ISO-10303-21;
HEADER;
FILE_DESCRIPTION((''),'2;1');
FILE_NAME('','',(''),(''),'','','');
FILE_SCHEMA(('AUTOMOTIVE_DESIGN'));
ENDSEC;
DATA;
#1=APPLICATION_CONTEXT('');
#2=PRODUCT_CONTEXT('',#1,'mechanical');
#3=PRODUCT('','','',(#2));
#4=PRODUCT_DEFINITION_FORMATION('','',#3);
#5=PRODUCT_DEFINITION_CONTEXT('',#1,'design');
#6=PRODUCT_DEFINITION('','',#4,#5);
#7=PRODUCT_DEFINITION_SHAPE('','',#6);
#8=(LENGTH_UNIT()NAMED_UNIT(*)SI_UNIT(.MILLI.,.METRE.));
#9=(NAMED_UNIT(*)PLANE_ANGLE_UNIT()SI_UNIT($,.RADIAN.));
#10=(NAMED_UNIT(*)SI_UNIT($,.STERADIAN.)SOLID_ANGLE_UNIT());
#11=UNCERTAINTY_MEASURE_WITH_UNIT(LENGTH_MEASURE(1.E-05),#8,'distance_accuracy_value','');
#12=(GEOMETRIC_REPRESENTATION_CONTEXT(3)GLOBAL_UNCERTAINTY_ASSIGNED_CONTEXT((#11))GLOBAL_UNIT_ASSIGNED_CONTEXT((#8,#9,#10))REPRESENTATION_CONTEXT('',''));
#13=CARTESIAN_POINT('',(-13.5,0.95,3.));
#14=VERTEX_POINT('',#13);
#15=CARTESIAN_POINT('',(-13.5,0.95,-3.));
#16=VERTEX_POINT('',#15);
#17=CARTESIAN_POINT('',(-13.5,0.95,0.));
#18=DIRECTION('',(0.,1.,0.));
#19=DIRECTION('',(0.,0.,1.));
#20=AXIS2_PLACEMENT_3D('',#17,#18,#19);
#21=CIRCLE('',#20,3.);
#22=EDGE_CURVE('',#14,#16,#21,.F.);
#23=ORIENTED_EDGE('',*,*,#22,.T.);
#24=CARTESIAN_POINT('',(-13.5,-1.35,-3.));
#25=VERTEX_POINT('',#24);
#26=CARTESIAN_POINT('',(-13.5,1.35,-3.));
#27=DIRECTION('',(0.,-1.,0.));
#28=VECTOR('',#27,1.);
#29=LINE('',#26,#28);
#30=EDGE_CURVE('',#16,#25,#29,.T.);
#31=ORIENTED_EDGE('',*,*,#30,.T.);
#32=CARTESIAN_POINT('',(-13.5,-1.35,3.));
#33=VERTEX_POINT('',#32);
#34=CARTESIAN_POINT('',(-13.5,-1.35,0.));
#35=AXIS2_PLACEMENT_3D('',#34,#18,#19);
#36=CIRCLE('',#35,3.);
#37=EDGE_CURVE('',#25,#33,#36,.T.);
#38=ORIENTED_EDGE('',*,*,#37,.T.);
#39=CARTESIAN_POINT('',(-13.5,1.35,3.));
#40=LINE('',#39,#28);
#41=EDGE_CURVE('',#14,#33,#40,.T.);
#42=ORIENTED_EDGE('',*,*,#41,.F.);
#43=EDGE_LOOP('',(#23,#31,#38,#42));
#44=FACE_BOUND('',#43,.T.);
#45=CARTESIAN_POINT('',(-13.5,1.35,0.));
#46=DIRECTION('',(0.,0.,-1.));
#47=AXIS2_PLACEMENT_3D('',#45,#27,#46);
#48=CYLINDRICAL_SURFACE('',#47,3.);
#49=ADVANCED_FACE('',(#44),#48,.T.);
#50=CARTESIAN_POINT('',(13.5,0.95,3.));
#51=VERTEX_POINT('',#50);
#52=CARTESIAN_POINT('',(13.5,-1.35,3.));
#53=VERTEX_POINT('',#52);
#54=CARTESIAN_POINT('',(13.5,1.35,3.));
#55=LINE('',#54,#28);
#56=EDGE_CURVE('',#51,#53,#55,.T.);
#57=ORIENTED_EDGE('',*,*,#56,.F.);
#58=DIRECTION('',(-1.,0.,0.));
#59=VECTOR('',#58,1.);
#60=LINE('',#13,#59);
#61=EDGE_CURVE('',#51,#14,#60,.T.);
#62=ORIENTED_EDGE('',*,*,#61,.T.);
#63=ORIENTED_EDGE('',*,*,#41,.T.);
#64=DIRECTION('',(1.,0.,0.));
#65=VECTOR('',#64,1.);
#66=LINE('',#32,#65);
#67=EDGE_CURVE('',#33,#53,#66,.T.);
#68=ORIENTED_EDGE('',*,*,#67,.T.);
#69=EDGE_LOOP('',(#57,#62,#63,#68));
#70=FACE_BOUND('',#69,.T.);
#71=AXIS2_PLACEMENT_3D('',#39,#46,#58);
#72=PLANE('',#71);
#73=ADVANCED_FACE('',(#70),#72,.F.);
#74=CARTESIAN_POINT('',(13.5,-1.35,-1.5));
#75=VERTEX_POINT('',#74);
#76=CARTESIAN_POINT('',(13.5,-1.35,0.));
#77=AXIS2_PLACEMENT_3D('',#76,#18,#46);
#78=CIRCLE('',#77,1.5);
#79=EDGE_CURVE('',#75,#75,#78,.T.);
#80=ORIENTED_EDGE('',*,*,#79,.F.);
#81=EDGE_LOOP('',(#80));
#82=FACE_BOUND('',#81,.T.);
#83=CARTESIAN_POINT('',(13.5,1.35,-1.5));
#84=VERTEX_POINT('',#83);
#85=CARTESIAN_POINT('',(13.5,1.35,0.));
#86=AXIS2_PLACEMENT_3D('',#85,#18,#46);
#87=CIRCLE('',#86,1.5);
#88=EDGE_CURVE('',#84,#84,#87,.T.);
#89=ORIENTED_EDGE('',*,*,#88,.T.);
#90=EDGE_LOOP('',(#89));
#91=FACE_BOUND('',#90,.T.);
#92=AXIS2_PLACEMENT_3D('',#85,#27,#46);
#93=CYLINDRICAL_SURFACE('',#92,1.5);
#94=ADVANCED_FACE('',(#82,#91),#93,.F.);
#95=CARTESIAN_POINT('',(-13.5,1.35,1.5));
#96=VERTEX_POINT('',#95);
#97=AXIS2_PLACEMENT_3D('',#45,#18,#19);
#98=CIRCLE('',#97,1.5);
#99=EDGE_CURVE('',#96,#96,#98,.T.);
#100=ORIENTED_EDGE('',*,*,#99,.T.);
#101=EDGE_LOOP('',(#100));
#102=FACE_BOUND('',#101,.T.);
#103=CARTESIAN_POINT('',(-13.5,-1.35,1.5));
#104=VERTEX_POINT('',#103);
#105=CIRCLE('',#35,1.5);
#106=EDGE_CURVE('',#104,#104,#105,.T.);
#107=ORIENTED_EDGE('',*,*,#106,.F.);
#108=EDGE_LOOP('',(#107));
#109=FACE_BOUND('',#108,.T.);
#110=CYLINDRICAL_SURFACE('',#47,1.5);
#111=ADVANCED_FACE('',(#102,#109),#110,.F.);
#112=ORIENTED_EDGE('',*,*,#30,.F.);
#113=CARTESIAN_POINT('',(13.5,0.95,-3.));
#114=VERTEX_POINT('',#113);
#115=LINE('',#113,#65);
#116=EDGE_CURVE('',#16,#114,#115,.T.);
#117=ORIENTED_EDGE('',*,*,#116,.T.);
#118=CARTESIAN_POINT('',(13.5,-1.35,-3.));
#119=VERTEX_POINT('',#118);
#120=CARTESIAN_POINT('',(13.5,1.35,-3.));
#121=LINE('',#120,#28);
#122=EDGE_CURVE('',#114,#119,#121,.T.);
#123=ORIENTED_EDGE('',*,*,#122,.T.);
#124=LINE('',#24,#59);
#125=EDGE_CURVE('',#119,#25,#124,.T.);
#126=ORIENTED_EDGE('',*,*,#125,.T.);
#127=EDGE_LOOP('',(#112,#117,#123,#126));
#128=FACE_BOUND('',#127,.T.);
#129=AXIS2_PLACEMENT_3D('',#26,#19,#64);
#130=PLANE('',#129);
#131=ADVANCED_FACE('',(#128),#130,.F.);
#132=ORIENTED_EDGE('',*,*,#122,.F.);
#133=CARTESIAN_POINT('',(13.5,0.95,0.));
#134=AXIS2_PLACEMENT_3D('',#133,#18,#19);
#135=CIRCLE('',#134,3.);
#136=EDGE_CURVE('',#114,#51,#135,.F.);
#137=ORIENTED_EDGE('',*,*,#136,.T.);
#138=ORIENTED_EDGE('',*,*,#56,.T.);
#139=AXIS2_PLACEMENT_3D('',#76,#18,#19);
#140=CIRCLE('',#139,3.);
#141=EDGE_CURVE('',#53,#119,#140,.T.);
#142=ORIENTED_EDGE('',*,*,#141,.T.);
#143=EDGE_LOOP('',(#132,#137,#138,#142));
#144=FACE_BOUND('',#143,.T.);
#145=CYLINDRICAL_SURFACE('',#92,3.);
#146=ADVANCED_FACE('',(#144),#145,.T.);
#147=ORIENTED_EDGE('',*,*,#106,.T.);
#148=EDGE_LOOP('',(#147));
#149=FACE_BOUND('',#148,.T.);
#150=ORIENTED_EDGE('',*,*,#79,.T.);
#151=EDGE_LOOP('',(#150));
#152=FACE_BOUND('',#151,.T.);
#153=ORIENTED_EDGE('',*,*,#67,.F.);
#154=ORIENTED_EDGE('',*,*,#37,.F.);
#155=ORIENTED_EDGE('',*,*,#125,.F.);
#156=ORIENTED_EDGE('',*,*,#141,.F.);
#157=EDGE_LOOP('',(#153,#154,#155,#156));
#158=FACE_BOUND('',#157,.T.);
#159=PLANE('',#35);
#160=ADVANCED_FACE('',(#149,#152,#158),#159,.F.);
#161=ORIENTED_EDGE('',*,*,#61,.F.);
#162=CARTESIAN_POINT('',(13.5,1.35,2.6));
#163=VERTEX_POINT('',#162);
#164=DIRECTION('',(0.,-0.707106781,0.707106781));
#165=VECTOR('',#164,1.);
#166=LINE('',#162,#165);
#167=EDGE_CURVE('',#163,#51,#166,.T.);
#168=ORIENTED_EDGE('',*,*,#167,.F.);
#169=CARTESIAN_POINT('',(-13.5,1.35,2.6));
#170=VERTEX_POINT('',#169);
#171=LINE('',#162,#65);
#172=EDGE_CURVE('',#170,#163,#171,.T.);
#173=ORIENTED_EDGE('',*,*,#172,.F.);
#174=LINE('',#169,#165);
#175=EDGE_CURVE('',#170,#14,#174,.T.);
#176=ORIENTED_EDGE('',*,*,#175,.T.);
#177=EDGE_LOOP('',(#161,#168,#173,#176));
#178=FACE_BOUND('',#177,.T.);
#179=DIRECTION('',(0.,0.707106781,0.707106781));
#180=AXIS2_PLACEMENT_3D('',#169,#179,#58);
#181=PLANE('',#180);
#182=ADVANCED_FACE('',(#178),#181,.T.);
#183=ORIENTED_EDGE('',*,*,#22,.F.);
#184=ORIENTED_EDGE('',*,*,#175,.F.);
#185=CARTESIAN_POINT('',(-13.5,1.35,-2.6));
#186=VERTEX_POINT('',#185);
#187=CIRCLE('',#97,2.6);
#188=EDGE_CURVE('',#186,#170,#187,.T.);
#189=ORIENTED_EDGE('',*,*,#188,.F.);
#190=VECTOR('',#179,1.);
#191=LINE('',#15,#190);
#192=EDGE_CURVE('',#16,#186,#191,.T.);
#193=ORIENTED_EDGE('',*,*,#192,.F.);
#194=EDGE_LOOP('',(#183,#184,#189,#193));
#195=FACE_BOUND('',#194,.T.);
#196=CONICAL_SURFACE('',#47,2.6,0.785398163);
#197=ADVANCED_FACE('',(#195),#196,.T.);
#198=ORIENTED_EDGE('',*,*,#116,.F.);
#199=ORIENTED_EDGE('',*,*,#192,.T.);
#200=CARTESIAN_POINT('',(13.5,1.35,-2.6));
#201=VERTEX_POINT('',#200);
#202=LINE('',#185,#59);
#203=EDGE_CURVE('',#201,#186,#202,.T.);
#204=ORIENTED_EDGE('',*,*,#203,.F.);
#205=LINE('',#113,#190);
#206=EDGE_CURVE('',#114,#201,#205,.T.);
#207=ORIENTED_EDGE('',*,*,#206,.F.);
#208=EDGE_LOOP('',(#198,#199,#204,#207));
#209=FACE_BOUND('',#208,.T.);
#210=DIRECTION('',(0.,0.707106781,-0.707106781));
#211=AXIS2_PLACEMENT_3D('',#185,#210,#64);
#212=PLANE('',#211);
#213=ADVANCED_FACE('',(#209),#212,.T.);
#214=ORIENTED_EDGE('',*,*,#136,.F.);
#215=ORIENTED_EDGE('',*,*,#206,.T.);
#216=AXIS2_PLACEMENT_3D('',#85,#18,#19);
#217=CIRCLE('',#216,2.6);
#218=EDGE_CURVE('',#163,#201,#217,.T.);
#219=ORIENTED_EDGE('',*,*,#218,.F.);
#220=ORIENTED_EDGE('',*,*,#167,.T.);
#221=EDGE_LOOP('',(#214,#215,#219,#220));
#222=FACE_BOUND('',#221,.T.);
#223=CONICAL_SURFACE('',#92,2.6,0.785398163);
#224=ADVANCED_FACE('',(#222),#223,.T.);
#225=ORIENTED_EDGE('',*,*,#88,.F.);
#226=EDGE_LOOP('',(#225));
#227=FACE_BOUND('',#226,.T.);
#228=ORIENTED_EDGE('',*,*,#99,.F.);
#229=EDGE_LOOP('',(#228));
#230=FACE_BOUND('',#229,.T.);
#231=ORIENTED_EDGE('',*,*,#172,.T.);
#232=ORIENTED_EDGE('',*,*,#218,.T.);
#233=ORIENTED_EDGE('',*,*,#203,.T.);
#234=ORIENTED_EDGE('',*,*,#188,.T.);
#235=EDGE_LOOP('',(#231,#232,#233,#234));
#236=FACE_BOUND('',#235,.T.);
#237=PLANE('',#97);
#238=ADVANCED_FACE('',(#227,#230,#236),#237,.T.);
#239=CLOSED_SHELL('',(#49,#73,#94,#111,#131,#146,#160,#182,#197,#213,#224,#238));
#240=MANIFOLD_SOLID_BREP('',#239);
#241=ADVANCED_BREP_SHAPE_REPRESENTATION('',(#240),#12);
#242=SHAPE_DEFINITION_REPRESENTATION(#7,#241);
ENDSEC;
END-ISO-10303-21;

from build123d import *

# Parameters (mm, degrees)
SKETCH1_R           = 1.5
BOSS_EXTRUDE1_DEPTH = 1.35
CHAMFER1_SIZE       = 0.4


with BuildPart() as part:
    # Sketch1 → Boss-Extrude1 (new body, symmetric)
    with BuildSketch(Plane(origin=(0, 0, 0), x_dir=(1, 0, 0), z_dir=(0, 1, 0))):
        with BuildLine():
            Line((-13.5, 3), (13.5, 3))
            ThreePointArc((13.5, 3), (16.5, 0), (13.5, -3))
            Line((13.5, -3), (-13.5, -3))
            ThreePointArc((-13.5, -3), (-16.5, 0), (-13.5, 3))
        make_face()
        with Locations((-13.5, 0)):
            Circle(SKETCH1_R, mode=Mode.SUBTRACT)
        with Locations((13.5, 0)):
            Circle(SKETCH1_R, mode=Mode.SUBTRACT)
    extrude(amount=BOSS_EXTRUDE1_DEPTH, both=True)

    # Chamfer1
    chamfer1_edges = [part.edges().sort_by_distance(p)[0] for p in [
        (16.5, 1.35, 0),
        (0, 1.35, -3),
        (-16.5, 1.35, 0),
        (0, 1.35, 3),
    ]]
    chamfer(chamfer1_edges, length=CHAMFER1_SIZE)


solid = part.part
